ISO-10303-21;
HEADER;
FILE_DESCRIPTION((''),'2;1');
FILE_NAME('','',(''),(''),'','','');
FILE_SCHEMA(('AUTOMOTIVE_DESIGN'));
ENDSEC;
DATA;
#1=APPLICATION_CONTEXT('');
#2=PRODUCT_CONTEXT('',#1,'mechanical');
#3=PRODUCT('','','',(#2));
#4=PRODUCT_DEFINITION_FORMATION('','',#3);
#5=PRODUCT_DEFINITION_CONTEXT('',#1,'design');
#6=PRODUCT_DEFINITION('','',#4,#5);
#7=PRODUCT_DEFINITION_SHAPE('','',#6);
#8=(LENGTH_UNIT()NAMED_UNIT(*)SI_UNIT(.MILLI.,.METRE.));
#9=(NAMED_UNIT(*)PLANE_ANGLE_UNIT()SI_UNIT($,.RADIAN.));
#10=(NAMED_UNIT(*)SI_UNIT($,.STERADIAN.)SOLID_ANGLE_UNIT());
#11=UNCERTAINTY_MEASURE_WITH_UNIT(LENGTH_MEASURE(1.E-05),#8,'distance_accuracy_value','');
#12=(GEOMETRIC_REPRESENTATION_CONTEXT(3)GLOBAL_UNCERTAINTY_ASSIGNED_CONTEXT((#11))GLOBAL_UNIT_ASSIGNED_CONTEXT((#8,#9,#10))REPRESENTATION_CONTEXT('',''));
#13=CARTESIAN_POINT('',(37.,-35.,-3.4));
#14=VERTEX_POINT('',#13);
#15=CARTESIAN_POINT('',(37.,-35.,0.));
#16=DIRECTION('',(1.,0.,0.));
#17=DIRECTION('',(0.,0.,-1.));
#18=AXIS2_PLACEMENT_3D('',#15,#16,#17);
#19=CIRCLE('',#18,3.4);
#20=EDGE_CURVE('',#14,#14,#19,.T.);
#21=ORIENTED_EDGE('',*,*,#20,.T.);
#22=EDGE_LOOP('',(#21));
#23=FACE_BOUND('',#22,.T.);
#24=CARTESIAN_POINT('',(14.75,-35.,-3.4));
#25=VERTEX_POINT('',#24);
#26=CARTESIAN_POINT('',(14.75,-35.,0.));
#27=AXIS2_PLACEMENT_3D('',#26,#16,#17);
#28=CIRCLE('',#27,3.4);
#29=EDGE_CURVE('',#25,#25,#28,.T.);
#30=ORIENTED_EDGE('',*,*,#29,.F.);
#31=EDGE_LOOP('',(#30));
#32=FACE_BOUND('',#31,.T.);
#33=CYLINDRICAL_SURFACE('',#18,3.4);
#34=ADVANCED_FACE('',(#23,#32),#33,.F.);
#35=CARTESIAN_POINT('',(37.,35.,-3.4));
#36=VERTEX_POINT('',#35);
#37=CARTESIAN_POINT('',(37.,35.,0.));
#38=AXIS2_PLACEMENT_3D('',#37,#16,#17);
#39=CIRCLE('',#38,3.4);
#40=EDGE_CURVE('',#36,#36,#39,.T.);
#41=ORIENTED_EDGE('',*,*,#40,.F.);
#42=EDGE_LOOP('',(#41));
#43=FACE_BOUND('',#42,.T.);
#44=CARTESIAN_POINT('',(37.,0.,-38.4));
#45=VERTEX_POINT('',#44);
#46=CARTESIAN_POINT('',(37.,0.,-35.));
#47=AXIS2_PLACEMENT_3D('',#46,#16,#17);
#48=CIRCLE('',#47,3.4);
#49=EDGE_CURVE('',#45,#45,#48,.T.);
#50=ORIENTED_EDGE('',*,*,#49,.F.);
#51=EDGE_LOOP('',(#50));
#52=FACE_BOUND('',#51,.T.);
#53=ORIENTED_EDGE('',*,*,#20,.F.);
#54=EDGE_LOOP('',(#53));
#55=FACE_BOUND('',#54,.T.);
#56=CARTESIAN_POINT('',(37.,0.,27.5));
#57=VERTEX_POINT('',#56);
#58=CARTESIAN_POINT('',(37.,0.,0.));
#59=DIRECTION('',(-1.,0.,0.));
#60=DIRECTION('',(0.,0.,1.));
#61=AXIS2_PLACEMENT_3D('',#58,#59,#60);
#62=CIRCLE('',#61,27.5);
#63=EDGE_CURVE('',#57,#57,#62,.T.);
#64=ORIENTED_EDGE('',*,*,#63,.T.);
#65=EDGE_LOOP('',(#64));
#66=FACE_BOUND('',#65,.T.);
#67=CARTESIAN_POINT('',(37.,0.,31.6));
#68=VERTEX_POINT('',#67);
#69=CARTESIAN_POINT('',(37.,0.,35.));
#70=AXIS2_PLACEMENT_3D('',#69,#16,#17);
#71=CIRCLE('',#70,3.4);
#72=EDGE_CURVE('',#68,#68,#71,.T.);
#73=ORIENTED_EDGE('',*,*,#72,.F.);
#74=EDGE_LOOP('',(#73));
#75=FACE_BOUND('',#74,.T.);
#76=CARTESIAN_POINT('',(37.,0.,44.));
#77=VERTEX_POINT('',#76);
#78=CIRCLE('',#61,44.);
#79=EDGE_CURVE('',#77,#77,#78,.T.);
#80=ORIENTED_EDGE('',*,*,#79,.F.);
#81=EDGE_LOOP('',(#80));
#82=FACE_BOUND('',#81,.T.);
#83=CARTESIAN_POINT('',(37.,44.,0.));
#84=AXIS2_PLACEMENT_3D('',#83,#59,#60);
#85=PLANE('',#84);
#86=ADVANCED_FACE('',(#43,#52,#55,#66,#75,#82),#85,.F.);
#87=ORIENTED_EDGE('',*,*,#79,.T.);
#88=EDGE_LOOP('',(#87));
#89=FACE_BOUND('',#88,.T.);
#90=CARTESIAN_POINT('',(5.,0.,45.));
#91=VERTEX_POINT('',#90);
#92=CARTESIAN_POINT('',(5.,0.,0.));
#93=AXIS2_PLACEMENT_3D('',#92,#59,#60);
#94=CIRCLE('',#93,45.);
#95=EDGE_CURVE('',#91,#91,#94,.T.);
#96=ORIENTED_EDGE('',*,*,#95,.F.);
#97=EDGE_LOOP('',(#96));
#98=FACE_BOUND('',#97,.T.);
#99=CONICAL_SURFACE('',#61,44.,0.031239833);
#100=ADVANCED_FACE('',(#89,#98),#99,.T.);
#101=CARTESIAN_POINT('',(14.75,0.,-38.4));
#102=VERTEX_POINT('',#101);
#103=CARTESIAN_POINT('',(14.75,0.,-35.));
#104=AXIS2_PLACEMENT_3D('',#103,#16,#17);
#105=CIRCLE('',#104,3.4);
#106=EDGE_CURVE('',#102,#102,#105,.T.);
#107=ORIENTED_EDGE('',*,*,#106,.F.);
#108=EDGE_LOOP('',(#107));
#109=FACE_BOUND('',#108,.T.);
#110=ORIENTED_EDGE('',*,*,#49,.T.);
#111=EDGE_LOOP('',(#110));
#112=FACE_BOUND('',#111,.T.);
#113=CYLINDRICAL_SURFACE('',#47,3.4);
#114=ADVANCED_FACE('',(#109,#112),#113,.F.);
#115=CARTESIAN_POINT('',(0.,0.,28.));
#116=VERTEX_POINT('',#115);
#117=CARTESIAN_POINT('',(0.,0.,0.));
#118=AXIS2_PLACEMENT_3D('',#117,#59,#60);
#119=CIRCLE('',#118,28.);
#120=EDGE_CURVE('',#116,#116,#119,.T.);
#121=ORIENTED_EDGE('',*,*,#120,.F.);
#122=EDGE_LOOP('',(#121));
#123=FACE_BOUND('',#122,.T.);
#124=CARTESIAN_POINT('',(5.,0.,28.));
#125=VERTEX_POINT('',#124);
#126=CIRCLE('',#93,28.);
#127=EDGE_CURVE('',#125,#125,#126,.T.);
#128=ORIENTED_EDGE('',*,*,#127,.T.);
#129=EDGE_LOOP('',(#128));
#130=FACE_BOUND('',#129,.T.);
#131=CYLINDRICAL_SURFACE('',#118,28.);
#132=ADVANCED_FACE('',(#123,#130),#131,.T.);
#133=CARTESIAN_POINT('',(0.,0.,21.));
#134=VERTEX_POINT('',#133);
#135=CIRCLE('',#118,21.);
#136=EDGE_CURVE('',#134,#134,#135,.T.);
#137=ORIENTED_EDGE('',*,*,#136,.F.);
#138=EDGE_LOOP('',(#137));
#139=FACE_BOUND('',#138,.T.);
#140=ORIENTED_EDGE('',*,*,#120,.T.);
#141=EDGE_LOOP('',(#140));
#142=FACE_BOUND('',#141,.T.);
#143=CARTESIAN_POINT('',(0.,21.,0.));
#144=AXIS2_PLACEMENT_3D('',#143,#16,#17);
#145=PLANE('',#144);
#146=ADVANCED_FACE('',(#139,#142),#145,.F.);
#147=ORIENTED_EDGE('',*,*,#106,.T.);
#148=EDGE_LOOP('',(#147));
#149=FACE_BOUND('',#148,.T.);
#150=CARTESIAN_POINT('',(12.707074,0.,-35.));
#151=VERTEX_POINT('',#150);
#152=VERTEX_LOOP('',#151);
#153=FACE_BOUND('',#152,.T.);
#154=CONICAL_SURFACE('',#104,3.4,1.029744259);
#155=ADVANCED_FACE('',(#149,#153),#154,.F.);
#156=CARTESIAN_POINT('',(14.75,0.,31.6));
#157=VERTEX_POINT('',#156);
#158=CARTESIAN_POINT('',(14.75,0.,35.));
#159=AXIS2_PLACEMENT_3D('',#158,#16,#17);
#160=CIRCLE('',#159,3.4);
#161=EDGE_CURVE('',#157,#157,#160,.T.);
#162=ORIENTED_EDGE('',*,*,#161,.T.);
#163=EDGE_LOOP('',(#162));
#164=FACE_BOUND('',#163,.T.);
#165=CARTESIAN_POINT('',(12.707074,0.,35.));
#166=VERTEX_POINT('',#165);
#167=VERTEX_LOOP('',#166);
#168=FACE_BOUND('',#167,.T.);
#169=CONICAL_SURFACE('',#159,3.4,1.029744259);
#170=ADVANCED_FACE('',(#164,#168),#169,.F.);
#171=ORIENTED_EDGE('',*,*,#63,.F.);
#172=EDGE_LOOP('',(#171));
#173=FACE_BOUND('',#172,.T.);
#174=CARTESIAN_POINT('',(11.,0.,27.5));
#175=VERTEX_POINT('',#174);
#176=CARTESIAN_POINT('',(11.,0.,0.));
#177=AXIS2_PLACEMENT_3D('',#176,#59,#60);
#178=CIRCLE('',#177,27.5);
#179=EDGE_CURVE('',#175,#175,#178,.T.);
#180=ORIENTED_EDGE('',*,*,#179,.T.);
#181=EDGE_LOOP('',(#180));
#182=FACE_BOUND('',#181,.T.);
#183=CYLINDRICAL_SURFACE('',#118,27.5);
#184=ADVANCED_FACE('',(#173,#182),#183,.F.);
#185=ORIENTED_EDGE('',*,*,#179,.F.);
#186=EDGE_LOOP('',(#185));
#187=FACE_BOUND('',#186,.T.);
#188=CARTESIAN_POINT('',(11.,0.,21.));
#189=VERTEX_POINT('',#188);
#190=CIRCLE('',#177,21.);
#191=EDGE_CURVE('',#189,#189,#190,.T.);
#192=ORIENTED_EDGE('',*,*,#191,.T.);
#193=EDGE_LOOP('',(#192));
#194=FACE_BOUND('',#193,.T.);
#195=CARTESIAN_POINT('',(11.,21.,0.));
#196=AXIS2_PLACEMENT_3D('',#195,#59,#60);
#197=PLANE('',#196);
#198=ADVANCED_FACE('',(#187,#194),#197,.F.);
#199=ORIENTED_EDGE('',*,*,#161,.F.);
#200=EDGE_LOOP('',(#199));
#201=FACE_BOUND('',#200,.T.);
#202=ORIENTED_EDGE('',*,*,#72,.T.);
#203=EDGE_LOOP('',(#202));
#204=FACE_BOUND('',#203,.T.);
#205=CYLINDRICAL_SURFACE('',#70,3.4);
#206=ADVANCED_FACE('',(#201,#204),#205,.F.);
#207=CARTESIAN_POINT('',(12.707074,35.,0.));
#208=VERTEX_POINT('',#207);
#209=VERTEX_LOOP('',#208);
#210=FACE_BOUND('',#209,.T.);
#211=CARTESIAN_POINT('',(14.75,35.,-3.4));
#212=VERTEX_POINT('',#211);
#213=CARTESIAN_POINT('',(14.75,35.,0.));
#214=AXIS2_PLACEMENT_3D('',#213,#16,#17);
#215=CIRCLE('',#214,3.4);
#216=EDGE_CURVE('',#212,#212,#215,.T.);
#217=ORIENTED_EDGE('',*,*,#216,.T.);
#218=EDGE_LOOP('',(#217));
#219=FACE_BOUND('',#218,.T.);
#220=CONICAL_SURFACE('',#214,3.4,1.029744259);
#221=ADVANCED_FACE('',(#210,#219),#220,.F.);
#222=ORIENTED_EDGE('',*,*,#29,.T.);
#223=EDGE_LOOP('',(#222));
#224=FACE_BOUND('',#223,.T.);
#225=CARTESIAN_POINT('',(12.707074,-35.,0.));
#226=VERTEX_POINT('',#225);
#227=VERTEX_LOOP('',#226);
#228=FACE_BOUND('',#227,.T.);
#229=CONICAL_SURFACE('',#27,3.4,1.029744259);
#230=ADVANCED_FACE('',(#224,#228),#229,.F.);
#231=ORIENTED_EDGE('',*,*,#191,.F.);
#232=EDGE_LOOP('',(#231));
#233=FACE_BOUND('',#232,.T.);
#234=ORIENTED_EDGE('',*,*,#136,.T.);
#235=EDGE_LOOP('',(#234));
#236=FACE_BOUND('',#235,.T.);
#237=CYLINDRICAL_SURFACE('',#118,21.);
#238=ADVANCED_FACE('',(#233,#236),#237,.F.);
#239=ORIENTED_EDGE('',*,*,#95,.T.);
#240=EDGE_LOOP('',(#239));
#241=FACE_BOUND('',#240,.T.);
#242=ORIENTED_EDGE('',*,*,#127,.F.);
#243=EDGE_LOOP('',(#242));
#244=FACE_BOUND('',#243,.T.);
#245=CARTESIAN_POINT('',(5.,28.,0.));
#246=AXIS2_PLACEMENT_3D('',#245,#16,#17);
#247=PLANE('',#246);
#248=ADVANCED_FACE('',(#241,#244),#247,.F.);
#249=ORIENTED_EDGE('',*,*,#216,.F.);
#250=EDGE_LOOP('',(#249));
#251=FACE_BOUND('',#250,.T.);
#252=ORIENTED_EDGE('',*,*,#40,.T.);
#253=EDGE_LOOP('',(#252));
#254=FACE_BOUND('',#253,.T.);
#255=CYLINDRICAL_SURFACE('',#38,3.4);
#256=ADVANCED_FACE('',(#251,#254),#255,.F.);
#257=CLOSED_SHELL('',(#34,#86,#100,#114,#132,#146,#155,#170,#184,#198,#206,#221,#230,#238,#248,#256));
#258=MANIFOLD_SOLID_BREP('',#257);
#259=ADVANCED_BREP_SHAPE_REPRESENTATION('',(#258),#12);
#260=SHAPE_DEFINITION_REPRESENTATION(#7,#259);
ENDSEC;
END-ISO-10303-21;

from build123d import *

# Parameters (mm, degrees)
DAIRESEL_KAPLAMA2_COUNT = 4


with BuildPart() as part:
    # Çizim1 → Döndür1 (revolve)
    with BuildSketch(Plane.XY):
        Polygon((0, 21), (11, 21), (11, 27.5), (37, 27.5), (37, 44), (5, 45), (5, 28), (0, 28), align=None)
    revolve(axis=Axis((0, 0, 0), (1, 0, 0)))

    # Çizim4 → M8 Dişli Delik1 (revolve, cut)
    with BuildSketch(Plane(origin=(37, 35, 0), x_dir=(0, 0, -1), z_dir=(0, 1, 0))):
        Polygon((0, 0), (0, 24.292926105), (3.4, 22.25), (3.4, 0), align=None)
    m8_di_li_delik1 = revolve(axis=Axis((43.35, 35, 0), (-1, 0, 0)), mode=Mode.SUBTRACT)

    # Dairesel Kaplama2: M8 Dişli Delik1 ×4 about axis
    dairesel_kaplama2_axis = Axis((0, 0, 0), (1, 0, 0))
    for i in range(1, DAIRESEL_KAPLAMA2_COUNT):
        add(m8_di_li_delik1.rotate(dairesel_kaplama2_axis, i * 360 / DAIRESEL_KAPLAMA2_COUNT), mode=Mode.SUBTRACT)


solid = part.part
